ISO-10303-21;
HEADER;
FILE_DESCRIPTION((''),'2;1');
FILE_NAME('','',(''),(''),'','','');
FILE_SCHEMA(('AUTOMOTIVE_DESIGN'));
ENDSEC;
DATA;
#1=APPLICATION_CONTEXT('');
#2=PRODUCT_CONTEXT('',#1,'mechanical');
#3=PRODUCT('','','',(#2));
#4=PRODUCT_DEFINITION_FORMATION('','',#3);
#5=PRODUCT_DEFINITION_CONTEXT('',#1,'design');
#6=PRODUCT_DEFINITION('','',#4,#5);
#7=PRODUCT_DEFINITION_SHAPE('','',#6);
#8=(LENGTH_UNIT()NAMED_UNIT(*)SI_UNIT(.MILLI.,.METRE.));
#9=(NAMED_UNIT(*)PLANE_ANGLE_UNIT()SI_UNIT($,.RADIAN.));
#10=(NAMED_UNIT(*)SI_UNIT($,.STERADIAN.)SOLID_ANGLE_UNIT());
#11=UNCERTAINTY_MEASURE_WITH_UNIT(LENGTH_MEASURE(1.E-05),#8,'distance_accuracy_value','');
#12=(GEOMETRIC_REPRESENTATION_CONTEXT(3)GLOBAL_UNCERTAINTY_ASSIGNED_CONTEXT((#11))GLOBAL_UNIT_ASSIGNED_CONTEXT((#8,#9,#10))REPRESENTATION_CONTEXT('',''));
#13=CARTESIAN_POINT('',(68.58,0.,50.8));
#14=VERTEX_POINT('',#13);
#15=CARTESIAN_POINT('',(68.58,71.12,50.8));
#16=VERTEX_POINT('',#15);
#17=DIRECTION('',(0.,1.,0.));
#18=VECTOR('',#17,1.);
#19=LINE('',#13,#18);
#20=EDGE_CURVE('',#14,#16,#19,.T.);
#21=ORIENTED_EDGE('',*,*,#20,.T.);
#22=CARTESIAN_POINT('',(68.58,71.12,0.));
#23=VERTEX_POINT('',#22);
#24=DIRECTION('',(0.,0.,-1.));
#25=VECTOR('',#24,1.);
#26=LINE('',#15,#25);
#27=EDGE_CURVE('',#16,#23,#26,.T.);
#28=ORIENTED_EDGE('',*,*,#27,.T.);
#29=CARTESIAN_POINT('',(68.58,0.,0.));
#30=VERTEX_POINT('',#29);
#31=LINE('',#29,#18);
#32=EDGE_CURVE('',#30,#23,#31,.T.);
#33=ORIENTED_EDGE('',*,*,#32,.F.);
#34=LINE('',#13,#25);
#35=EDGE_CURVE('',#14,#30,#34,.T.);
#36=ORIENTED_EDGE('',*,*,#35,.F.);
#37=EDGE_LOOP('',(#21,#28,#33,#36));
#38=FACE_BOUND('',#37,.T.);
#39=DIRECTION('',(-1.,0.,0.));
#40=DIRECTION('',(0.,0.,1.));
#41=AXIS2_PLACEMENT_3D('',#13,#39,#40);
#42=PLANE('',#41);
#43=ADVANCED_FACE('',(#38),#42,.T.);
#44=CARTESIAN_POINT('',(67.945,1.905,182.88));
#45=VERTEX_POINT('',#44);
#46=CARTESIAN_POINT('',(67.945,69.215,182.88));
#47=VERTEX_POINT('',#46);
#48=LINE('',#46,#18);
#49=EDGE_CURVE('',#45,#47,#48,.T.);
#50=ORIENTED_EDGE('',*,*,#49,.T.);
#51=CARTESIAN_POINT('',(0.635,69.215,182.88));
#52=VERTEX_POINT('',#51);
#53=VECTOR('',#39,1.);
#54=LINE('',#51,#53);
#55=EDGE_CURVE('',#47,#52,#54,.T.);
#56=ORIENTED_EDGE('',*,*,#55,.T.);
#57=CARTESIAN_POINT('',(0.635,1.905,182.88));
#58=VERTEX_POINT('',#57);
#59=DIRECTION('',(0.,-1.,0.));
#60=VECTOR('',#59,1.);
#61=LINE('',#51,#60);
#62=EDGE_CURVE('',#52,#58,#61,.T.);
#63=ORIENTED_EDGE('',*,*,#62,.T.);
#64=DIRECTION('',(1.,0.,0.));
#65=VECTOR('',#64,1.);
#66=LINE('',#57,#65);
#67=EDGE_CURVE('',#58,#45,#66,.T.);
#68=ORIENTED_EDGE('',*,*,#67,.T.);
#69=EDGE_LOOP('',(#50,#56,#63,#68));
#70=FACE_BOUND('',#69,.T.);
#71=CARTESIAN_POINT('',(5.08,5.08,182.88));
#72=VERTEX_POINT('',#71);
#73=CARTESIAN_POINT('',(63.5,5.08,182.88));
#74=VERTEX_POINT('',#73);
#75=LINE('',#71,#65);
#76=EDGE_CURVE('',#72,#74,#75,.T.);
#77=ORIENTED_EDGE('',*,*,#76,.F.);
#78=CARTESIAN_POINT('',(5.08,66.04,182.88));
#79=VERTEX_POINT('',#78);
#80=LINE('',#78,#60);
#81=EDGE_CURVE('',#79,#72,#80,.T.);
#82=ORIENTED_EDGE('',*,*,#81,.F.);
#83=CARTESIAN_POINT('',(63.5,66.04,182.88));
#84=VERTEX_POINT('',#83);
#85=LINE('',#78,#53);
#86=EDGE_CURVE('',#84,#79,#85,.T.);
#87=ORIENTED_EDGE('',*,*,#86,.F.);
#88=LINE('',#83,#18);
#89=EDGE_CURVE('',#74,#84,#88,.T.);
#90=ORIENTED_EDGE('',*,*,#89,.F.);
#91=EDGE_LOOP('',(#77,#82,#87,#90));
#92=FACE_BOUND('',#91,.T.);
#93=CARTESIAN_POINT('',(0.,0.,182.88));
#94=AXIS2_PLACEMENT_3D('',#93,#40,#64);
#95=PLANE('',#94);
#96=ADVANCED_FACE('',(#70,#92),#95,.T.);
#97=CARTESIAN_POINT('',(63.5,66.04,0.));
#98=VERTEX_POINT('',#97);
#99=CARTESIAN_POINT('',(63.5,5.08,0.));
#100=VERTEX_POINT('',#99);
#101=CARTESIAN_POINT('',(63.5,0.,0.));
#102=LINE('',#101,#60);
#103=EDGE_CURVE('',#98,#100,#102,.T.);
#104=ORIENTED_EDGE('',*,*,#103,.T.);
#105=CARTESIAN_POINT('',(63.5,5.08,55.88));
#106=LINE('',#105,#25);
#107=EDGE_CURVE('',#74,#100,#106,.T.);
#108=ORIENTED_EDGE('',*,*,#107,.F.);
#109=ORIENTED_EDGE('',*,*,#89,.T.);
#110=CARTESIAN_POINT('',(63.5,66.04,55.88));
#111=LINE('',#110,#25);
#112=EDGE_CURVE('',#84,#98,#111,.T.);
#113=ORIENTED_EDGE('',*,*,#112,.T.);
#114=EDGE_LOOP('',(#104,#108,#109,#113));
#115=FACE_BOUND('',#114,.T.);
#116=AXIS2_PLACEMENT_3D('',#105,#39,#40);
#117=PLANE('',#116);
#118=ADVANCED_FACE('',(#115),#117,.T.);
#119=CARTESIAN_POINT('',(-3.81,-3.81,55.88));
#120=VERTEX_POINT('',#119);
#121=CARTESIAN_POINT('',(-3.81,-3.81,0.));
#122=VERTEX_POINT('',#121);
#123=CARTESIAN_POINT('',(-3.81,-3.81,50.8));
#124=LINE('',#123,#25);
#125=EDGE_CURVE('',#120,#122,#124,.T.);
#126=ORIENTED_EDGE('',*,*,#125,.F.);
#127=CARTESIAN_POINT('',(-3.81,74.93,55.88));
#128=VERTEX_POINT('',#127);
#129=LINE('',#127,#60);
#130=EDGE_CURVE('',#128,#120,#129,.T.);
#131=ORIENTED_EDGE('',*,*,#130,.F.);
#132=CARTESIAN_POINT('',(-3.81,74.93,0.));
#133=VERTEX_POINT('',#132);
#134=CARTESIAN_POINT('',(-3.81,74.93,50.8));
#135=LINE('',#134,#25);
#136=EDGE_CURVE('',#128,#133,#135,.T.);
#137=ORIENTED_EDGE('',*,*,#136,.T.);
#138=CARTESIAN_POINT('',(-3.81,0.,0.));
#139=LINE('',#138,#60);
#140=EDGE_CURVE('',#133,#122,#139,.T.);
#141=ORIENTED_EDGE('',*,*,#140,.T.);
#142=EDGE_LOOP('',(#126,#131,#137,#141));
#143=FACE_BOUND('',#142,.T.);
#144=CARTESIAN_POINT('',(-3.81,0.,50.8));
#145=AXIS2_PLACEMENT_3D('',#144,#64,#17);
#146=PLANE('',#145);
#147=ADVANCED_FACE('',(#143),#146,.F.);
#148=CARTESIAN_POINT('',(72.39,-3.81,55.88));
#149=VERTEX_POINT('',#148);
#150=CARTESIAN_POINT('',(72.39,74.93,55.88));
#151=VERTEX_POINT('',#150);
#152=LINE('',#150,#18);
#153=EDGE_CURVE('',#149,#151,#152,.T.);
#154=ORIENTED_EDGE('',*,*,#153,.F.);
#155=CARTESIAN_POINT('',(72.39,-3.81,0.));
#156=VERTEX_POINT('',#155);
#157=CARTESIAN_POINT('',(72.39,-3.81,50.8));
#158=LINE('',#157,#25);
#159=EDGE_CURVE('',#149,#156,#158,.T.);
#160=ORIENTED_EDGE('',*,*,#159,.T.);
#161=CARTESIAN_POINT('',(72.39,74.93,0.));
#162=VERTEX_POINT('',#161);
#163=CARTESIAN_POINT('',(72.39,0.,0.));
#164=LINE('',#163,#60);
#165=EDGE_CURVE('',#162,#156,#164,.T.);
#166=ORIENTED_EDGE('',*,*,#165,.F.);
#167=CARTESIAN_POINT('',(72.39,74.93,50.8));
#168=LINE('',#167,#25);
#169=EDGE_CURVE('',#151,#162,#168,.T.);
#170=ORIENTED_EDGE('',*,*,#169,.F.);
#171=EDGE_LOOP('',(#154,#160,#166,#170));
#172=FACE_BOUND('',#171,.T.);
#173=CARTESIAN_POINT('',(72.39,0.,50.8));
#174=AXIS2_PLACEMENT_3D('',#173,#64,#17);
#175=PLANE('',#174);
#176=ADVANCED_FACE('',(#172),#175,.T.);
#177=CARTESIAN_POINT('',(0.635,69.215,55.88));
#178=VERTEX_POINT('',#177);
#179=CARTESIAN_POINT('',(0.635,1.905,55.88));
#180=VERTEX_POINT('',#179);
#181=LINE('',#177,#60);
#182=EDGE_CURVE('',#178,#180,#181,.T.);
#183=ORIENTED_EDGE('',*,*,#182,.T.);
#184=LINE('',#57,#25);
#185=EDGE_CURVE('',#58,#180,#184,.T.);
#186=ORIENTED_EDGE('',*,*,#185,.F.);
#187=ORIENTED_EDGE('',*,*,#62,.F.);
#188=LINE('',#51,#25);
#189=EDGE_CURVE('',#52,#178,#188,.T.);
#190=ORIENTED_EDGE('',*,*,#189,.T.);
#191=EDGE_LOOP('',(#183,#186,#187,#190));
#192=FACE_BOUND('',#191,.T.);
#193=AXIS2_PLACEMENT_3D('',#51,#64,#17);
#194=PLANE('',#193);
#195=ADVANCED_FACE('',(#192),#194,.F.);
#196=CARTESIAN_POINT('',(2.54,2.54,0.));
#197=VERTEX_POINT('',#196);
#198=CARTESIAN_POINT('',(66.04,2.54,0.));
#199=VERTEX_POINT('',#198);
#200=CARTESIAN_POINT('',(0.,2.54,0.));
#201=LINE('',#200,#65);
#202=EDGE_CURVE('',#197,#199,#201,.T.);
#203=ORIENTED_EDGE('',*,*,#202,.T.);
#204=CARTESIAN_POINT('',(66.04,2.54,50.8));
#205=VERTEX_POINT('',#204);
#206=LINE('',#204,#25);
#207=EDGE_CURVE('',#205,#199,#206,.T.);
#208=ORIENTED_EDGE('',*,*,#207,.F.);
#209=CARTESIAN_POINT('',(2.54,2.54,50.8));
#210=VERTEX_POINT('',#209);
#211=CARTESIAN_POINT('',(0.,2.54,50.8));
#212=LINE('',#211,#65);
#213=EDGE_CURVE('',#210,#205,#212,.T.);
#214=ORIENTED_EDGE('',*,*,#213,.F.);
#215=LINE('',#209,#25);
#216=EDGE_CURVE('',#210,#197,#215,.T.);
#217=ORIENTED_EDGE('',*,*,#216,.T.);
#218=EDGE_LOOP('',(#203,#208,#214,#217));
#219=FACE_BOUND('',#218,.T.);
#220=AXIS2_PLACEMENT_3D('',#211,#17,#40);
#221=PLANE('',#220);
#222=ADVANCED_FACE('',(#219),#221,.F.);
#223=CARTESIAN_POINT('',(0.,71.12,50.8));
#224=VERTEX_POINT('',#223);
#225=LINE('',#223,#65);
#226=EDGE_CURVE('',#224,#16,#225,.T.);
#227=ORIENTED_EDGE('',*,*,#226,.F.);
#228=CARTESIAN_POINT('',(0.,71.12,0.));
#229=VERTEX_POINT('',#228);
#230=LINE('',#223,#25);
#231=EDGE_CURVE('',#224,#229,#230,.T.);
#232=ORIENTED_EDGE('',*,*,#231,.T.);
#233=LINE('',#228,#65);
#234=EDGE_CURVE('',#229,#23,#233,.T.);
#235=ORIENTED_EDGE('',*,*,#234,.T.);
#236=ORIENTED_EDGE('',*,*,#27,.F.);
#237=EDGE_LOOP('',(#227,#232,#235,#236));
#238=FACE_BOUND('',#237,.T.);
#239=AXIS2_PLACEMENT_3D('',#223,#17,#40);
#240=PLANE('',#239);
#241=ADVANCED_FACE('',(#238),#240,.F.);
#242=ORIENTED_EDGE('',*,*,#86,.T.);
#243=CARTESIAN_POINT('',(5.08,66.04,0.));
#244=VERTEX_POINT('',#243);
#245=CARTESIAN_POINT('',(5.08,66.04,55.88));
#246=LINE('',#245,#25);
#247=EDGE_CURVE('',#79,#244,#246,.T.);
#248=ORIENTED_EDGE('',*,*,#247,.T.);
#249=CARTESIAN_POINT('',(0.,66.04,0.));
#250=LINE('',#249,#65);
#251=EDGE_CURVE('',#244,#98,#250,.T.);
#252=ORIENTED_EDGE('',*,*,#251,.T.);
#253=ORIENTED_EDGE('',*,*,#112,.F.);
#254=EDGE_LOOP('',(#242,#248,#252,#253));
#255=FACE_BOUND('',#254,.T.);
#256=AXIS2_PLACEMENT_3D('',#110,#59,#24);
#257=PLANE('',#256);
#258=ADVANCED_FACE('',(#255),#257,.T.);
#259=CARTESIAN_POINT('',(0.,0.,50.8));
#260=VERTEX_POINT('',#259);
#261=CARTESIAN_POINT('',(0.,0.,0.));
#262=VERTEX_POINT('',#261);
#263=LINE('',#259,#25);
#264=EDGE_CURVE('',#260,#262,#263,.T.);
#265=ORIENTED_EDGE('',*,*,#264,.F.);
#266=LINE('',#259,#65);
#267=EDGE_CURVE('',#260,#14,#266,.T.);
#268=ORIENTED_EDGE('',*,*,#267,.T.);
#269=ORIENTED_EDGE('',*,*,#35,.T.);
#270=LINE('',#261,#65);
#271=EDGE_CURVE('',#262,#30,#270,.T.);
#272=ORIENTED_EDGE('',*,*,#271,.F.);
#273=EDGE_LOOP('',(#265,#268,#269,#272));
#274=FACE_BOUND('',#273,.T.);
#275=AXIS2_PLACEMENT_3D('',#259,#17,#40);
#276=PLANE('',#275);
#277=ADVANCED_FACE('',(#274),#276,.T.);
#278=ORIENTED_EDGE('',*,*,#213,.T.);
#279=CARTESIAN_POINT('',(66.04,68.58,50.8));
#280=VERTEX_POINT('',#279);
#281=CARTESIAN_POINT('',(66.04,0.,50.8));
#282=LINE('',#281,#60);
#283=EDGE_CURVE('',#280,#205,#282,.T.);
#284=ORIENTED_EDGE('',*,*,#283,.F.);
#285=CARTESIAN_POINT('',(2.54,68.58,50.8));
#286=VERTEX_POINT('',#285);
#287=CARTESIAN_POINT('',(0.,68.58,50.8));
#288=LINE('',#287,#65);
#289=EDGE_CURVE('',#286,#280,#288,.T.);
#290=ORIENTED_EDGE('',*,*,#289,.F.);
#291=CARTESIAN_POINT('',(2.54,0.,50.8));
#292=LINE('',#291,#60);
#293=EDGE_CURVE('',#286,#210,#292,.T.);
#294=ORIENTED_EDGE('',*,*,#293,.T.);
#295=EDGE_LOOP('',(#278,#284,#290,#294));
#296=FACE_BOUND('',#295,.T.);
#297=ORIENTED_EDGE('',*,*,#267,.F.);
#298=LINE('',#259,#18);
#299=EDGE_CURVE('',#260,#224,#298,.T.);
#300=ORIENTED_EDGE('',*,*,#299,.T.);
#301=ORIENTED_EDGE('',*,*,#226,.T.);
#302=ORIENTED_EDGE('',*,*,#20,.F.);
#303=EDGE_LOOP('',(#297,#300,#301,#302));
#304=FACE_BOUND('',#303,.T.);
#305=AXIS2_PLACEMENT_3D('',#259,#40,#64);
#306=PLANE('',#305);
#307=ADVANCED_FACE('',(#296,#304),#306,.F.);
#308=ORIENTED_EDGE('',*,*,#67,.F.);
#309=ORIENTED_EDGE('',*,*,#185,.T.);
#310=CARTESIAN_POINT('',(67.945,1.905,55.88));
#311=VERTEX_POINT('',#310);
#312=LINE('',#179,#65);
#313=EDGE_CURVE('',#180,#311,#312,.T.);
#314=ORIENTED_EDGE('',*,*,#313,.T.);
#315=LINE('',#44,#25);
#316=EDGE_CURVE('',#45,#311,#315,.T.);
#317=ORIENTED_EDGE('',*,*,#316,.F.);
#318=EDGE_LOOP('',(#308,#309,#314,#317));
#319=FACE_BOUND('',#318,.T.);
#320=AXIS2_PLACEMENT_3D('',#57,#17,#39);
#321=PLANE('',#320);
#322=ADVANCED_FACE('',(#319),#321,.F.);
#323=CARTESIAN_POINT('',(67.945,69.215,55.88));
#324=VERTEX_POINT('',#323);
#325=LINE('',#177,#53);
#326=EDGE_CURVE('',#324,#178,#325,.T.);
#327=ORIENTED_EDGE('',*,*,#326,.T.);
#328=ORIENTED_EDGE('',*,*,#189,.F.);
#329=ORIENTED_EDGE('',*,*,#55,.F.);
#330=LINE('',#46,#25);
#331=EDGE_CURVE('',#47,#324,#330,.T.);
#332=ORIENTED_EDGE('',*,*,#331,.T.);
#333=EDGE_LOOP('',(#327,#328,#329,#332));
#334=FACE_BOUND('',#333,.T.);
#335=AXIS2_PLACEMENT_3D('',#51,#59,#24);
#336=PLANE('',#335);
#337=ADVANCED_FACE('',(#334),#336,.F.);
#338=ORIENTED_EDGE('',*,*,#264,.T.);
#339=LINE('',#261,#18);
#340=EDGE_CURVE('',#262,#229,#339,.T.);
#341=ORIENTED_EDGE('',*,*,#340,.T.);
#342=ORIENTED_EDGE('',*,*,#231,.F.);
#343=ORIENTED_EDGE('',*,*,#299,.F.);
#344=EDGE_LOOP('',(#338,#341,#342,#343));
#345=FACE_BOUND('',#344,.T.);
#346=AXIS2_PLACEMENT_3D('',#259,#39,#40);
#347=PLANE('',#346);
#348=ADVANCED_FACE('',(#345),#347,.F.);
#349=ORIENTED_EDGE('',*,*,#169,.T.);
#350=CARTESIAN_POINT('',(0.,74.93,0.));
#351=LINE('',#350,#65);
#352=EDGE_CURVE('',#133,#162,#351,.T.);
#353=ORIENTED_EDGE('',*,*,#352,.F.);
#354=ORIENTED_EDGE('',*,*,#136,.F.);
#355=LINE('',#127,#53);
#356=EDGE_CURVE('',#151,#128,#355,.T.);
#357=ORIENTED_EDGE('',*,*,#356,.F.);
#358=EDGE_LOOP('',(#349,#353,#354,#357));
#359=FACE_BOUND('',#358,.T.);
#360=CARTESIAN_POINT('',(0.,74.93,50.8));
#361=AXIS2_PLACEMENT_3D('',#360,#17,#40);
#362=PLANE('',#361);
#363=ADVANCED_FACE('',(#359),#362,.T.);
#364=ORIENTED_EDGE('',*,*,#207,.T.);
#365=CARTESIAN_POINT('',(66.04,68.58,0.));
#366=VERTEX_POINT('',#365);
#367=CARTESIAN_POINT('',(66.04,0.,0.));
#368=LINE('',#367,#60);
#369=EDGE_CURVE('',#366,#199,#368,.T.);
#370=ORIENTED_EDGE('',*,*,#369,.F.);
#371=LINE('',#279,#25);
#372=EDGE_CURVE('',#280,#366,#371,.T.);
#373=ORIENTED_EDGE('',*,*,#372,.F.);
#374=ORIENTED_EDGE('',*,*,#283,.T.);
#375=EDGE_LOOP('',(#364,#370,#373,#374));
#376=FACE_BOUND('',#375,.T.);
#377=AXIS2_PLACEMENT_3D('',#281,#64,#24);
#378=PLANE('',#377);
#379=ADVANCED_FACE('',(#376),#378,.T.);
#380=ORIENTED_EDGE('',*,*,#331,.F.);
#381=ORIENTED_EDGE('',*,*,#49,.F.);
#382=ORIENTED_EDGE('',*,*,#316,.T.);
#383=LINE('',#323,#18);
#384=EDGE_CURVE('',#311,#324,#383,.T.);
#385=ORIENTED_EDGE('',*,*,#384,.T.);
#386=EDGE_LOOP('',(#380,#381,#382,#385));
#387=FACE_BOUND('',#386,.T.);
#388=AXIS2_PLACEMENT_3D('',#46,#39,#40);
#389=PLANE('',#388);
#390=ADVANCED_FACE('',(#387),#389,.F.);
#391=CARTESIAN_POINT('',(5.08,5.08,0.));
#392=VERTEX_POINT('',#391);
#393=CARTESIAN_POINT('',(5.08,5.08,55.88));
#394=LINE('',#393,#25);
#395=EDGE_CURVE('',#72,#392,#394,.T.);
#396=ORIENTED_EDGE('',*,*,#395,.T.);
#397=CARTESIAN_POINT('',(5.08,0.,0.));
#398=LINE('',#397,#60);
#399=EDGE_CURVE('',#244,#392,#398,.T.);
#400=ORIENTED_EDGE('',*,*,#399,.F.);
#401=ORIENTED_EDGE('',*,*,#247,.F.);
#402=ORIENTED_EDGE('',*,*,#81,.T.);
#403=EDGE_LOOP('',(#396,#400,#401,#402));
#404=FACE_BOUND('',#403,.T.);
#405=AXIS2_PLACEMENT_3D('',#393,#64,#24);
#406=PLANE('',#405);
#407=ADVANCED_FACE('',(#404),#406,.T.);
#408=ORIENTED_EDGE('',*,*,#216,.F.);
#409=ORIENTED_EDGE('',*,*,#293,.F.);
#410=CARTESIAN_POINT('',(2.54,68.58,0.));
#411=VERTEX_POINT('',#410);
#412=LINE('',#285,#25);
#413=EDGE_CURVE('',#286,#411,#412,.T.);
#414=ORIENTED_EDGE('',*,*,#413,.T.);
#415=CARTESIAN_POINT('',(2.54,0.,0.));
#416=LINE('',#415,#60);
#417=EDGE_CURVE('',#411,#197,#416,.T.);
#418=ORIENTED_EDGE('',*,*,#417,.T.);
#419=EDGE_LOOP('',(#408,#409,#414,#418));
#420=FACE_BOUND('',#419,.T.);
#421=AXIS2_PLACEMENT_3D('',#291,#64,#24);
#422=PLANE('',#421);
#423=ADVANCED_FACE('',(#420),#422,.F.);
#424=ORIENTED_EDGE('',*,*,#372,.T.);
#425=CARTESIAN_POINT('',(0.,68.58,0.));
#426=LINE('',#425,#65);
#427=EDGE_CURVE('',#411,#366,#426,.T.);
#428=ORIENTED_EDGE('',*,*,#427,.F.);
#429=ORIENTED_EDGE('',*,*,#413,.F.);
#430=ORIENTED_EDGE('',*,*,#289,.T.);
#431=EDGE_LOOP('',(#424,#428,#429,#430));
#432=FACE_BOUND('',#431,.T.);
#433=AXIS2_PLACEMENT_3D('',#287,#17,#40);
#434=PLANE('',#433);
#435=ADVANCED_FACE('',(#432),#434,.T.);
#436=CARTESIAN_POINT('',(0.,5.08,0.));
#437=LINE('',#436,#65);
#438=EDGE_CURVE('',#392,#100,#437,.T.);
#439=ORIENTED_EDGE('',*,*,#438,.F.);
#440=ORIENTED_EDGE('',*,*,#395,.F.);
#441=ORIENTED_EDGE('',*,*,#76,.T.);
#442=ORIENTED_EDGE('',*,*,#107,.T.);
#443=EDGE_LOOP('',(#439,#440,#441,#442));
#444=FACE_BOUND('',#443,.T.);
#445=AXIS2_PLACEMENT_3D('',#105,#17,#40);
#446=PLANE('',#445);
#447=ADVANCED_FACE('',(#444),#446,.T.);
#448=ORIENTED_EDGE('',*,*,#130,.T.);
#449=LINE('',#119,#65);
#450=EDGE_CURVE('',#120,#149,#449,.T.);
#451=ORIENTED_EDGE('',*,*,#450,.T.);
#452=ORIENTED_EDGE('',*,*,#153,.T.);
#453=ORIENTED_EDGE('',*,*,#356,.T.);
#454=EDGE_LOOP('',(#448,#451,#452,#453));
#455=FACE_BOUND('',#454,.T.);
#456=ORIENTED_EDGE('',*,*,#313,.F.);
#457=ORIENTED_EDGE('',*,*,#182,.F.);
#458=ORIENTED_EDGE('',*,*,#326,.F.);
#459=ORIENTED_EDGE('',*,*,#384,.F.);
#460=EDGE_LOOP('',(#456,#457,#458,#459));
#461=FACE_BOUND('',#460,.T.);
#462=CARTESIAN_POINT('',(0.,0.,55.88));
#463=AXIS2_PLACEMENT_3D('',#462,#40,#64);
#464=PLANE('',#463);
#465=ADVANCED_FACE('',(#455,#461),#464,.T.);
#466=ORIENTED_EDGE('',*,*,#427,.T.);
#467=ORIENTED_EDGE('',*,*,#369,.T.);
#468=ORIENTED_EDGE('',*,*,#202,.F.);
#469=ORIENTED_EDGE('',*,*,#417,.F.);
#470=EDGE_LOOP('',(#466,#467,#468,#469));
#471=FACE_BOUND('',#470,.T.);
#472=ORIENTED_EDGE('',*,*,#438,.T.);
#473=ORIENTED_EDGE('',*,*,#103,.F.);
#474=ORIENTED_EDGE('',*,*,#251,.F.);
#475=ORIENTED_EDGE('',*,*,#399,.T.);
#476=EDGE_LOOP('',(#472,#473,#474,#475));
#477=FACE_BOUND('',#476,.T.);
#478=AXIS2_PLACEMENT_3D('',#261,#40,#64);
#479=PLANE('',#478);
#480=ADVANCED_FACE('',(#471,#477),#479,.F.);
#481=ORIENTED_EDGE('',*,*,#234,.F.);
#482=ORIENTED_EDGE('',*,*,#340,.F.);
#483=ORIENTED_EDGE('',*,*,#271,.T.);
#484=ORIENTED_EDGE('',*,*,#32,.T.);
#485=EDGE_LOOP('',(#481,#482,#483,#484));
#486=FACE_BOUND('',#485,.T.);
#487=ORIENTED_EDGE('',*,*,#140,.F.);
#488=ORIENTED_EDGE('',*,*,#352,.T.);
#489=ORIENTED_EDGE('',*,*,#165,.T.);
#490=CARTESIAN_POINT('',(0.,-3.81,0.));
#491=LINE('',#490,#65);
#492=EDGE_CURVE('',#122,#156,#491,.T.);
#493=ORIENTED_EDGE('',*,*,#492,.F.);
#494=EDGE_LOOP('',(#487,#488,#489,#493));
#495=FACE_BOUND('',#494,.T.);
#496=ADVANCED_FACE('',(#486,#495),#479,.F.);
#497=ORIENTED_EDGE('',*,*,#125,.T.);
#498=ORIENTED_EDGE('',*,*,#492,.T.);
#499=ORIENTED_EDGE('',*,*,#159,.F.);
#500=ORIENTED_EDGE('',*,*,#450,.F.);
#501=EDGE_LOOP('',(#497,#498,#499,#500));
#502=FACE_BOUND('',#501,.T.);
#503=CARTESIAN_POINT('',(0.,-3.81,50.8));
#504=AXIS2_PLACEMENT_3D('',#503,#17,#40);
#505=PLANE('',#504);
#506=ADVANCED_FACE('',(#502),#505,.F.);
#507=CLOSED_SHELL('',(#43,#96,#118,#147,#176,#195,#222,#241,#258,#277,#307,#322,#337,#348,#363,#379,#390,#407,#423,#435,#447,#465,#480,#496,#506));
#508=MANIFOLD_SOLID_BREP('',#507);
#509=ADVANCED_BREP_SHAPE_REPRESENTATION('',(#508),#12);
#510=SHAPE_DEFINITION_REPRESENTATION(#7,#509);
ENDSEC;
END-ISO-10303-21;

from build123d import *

# Parameters (mm, degrees)
SKETCH1_W             = 76.2
SKETCH1_H             = 78.74
SKETCH1_W_2           = 68.58
SKETCH1_H_2           = 71.12
BOSS_EXTRUDE1_DEPTH   = 50.8
SKETCH1_W_3           = 63.5
SKETCH1_H_3           = 66.04
SKETCH1_W_4           = 58.42
SKETCH1_H_4           = 60.96
BOSS_EXTRUDE1_2_DEPTH = 50.8
SKETCH2_W             = 76.2
SKETCH2_H             = 78.74
SKETCH2_W_2           = 58.42
SKETCH2_H_2           = 60.96
BOSS_EXTRUDE2_DEPTH   = 5.08
SKETCH3_W             = 67.31
SKETCH3_H             = 67.31
SKETCH3_W_2           = 58.42
SKETCH3_H_2           = 60.96
BOSS_EXTRUDE3_DEPTH   = 127


with BuildPart() as part:
    # Sketch1 → Boss-Extrude1 (new body)
    with BuildSketch(Plane.XY):
        with Locations((34.29, 35.56)):
            Rectangle(SKETCH1_W, SKETCH1_H)
        with Locations((34.29, 35.56)):
            Rectangle(SKETCH1_W_2, SKETCH1_H_2, mode=Mode.SUBTRACT)
    extrude(amount=BOSS_EXTRUDE1_DEPTH)



with BuildPart() as body_2:
    # Sketch1 → Boss-Extrude1 2 (new body)
    with BuildSketch(Plane.XY):
        with Locations((34.29, 35.56)):
            Rectangle(SKETCH1_W_3, SKETCH1_H_3)
        with Locations((34.29, 35.56)):
            Rectangle(SKETCH1_W_4, SKETCH1_H_4, mode=Mode.SUBTRACT)
    extrude(amount=BOSS_EXTRUDE1_2_DEPTH)


with BuildPart() as part_1:
    add(part.part)

    add(body_2.part)  # Boss-Extrude2 merges body 2
    # Sketch2 → Boss-Extrude2 (add)
    with BuildSketch(Plane.XY.offset(50.8)):
        with Locations((34.29, 35.56)):
            Rectangle(SKETCH2_W, SKETCH2_H)
        with Locations((34.29, 35.56)):
            Rectangle(SKETCH2_W_2, SKETCH2_H_2, mode=Mode.SUBTRACT)
    extrude(amount=BOSS_EXTRUDE2_DEPTH)

    # Sketch3 → Boss-Extrude3 (add)
    with BuildSketch(Plane.XY.offset(55.88)):
        with Locations((34.29, 35.56)):
            Rectangle(SKETCH3_W, SKETCH3_H)
        with Locations((34.29, 35.56)):
            Rectangle(SKETCH3_W_2, SKETCH3_H_2, mode=Mode.SUBTRACT)
    extrude(amount=BOSS_EXTRUDE3_DEPTH)


solid = part_1.part
